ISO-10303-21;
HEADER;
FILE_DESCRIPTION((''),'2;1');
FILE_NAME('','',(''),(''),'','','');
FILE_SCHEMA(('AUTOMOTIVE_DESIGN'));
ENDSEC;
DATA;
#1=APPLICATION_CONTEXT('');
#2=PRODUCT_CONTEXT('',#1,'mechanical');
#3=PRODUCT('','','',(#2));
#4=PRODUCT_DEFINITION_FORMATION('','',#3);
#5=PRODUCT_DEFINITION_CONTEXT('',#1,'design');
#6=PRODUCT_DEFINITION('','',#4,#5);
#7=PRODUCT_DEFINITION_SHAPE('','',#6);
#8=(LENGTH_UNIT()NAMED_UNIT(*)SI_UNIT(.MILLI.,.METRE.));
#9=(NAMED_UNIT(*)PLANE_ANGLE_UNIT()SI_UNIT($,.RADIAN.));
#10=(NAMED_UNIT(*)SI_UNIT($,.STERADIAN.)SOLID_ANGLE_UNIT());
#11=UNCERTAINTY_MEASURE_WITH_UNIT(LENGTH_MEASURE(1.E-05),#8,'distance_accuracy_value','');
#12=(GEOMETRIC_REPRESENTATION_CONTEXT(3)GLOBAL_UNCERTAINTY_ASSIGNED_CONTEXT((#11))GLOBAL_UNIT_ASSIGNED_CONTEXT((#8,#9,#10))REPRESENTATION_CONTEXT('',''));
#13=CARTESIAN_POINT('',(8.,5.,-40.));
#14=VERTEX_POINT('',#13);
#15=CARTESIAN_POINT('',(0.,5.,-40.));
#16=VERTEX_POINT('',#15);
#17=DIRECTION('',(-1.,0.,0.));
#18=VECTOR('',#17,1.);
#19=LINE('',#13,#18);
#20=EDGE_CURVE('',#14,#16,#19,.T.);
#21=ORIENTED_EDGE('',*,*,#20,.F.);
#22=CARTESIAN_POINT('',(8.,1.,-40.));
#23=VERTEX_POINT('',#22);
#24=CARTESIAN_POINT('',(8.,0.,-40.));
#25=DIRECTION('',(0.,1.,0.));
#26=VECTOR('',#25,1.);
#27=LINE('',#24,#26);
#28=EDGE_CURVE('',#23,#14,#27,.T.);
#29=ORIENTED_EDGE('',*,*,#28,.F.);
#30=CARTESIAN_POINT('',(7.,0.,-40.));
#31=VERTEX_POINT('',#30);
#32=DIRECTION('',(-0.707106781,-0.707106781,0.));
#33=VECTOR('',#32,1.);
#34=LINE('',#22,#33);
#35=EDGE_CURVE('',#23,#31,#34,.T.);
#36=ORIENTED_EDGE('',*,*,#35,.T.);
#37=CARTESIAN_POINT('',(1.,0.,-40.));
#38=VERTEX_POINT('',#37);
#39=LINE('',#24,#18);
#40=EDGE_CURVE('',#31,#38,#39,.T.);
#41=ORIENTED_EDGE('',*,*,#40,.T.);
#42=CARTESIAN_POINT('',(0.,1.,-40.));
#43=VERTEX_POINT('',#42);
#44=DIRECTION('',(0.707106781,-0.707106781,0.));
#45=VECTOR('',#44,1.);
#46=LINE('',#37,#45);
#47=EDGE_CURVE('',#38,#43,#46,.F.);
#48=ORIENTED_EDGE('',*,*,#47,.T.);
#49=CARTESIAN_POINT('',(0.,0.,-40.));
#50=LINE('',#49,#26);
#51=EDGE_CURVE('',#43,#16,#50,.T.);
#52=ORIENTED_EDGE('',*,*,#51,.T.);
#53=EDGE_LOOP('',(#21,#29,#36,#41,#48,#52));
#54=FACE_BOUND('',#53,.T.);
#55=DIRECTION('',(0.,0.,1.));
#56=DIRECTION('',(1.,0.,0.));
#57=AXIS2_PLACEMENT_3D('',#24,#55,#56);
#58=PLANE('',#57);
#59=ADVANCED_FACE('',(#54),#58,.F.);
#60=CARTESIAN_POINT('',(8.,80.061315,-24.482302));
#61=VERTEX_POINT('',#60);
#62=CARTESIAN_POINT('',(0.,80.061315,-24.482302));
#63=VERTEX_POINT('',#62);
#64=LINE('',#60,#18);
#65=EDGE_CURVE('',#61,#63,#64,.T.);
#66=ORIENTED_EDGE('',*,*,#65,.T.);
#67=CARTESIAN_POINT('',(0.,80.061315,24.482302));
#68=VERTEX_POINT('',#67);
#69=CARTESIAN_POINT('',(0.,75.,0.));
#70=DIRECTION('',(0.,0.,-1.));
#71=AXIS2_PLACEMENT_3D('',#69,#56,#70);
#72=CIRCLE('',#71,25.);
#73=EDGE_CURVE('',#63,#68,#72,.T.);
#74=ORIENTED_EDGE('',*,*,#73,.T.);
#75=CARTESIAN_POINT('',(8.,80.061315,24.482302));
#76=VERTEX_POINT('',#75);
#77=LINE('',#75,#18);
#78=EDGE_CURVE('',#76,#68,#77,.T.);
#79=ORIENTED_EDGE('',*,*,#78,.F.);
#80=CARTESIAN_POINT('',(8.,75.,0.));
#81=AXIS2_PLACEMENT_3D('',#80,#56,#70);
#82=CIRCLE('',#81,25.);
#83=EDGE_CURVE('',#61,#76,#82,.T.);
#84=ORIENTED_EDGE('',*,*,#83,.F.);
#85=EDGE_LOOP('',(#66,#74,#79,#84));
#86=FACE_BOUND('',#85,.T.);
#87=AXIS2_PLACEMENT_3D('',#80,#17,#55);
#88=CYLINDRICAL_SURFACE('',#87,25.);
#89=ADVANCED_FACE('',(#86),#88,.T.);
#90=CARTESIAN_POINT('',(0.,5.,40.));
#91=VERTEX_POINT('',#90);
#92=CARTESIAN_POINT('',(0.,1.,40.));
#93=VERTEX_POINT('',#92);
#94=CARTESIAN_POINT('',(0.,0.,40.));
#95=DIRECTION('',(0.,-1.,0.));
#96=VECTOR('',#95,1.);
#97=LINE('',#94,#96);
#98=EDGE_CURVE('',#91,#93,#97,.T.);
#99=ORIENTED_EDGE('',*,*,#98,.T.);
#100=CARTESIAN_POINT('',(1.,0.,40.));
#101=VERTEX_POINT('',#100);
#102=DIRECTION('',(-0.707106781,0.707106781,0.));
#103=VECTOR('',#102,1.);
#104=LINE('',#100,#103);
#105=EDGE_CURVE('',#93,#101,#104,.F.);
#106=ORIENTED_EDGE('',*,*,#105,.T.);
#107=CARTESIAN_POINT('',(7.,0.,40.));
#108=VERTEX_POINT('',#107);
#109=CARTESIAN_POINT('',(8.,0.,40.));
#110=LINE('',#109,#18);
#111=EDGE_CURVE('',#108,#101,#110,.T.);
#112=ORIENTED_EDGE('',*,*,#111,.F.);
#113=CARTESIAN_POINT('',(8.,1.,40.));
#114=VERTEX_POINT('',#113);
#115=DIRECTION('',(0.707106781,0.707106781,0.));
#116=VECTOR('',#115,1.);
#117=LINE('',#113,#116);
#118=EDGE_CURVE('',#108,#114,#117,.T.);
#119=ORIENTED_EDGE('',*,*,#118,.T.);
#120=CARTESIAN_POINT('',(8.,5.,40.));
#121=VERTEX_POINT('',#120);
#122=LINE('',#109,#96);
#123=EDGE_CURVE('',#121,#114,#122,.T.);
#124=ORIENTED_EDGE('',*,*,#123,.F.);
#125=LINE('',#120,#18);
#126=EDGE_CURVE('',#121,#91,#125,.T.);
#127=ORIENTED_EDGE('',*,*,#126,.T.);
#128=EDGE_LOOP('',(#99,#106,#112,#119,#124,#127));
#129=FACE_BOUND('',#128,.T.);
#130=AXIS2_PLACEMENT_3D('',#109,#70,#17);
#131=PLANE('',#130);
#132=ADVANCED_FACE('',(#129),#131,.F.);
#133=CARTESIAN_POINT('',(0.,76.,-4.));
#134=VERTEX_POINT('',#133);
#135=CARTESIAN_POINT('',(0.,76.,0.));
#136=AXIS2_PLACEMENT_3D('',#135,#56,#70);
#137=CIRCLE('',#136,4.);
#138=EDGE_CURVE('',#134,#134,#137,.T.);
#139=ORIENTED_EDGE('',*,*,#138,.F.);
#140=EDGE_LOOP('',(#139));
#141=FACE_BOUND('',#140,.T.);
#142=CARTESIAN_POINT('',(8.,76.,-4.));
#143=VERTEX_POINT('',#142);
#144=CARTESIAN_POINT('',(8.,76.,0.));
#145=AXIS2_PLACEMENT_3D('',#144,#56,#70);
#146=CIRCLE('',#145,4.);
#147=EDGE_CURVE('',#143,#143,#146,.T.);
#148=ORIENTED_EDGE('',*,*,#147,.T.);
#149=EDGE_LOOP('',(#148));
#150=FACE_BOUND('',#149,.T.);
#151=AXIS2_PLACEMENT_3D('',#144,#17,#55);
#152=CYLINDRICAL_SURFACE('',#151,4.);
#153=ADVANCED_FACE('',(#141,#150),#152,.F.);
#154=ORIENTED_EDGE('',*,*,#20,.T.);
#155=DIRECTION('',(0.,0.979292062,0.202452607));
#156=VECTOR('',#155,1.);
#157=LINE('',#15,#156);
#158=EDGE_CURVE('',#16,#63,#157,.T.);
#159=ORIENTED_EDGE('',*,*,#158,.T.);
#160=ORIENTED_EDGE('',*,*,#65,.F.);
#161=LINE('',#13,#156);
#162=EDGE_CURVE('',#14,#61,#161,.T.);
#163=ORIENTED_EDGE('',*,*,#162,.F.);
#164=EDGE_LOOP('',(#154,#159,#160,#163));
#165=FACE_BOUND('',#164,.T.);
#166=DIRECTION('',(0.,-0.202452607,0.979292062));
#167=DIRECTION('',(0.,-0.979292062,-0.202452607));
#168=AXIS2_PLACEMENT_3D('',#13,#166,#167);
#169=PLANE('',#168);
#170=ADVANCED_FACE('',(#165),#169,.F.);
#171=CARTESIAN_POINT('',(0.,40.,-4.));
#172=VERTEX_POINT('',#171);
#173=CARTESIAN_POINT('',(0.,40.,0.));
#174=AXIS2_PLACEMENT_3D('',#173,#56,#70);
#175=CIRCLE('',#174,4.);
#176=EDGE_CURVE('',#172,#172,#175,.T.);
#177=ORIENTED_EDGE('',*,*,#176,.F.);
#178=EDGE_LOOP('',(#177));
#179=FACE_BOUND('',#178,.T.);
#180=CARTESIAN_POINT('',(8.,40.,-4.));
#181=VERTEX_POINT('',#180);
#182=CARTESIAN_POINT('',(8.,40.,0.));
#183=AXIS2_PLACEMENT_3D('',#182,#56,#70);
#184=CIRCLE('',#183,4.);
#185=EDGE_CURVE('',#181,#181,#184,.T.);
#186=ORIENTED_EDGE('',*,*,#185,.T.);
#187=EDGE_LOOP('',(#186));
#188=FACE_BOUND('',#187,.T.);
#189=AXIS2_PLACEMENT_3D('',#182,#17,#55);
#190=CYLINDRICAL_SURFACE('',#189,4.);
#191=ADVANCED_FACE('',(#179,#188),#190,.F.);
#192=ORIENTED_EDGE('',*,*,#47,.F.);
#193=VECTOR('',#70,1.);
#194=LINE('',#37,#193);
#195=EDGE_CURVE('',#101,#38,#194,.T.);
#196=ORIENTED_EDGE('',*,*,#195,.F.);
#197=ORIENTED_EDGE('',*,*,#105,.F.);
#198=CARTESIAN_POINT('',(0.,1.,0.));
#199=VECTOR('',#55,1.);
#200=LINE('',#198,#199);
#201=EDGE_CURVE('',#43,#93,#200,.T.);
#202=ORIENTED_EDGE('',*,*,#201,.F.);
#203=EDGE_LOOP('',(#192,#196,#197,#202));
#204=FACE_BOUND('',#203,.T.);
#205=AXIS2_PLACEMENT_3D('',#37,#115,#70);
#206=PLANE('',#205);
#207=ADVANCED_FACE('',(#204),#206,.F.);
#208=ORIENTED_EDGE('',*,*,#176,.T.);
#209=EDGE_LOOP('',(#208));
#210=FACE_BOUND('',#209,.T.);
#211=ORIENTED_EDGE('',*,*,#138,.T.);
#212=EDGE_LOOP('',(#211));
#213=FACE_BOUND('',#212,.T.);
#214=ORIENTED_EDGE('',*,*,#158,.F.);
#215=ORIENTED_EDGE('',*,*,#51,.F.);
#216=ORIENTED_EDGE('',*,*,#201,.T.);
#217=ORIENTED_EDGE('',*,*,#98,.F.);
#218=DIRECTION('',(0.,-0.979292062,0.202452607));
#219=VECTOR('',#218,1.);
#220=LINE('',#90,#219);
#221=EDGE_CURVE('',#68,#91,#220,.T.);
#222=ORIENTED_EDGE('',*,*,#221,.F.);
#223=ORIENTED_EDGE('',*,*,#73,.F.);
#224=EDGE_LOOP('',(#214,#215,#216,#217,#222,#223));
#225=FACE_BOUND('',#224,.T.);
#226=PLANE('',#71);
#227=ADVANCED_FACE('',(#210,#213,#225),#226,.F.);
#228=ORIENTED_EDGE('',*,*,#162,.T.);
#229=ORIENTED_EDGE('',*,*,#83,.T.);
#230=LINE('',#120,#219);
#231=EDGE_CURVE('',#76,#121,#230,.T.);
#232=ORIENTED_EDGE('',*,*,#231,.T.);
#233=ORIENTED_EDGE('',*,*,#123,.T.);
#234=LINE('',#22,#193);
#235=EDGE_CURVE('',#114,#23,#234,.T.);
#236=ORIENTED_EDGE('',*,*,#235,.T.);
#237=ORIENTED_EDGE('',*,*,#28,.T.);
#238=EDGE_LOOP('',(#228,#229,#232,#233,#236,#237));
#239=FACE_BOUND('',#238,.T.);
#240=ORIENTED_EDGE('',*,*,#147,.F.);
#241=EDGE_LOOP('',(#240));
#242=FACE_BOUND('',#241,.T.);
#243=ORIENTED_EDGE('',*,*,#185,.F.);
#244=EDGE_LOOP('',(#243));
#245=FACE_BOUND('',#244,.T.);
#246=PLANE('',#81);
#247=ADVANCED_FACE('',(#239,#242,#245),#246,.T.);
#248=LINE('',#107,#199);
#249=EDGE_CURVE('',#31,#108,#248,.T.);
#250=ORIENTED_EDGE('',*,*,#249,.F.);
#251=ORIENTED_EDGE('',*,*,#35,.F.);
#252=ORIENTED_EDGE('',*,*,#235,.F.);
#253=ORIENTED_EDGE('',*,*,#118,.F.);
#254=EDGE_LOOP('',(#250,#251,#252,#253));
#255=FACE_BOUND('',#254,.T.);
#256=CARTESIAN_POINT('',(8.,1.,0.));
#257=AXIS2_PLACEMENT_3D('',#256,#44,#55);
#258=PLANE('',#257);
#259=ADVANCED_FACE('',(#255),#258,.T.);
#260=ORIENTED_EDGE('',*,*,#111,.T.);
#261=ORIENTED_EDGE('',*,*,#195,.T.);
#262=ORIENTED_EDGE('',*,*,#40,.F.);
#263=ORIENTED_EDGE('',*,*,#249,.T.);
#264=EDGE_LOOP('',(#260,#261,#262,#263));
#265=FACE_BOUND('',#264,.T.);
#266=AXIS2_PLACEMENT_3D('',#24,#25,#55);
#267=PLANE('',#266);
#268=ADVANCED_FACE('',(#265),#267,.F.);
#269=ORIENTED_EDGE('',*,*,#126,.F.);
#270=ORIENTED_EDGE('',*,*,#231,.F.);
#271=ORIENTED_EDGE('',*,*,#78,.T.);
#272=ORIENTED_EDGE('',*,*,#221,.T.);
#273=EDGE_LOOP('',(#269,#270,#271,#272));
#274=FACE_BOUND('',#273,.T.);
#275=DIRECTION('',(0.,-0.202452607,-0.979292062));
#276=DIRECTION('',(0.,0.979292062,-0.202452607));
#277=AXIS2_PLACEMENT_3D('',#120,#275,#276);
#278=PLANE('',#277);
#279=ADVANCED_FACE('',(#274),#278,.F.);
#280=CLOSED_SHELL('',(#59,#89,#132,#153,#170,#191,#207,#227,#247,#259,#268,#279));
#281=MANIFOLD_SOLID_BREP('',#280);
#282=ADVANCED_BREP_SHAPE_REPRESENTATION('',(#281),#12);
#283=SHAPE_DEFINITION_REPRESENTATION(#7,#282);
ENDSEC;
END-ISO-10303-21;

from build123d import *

# Parameters (mm, degrees)
SKETCH1_R           = 4
BOSS_EXTRUDE1_DEPTH = 8
CHAMFER1_SIZE       = 1


with BuildPart() as part:
    # Sketch1 → Boss-Extrude1 (new body)
    with BuildSketch(Plane(origin=(0, 0, 0), x_dir=(0, 0, -1), z_dir=(1, 0, 0))):
        with BuildLine():
            Line((40, 0), (-40, 0))
            Line((-40, 0), (-40, 5))
            Line((-40, 5), (-24.482301542, 80.061315167))
            ThreePointArc((-24.482301542, 80.061315167), (0, 100), (24.482301542, 80.061315167))
            Line((24.482301542, 80.061315167), (40, 5))
            Line((40, 5), (40, 0))
        make_face()
        with Locations((0, 40)):
            Circle(SKETCH1_R, mode=Mode.SUBTRACT)
        with Locations((0, 76)):
            Circle(SKETCH1_R, mode=Mode.SUBTRACT)
    extrude(amount=BOSS_EXTRUDE1_DEPTH)

    # Chamfer1
    chamfer1_edges = [part.edges().sort_by_distance(p)[0] for p in [
        (8, 0, 0),
        (0, 0, 0),
    ]]
    chamfer(chamfer1_edges, length=CHAMFER1_SIZE)


solid = part.part
